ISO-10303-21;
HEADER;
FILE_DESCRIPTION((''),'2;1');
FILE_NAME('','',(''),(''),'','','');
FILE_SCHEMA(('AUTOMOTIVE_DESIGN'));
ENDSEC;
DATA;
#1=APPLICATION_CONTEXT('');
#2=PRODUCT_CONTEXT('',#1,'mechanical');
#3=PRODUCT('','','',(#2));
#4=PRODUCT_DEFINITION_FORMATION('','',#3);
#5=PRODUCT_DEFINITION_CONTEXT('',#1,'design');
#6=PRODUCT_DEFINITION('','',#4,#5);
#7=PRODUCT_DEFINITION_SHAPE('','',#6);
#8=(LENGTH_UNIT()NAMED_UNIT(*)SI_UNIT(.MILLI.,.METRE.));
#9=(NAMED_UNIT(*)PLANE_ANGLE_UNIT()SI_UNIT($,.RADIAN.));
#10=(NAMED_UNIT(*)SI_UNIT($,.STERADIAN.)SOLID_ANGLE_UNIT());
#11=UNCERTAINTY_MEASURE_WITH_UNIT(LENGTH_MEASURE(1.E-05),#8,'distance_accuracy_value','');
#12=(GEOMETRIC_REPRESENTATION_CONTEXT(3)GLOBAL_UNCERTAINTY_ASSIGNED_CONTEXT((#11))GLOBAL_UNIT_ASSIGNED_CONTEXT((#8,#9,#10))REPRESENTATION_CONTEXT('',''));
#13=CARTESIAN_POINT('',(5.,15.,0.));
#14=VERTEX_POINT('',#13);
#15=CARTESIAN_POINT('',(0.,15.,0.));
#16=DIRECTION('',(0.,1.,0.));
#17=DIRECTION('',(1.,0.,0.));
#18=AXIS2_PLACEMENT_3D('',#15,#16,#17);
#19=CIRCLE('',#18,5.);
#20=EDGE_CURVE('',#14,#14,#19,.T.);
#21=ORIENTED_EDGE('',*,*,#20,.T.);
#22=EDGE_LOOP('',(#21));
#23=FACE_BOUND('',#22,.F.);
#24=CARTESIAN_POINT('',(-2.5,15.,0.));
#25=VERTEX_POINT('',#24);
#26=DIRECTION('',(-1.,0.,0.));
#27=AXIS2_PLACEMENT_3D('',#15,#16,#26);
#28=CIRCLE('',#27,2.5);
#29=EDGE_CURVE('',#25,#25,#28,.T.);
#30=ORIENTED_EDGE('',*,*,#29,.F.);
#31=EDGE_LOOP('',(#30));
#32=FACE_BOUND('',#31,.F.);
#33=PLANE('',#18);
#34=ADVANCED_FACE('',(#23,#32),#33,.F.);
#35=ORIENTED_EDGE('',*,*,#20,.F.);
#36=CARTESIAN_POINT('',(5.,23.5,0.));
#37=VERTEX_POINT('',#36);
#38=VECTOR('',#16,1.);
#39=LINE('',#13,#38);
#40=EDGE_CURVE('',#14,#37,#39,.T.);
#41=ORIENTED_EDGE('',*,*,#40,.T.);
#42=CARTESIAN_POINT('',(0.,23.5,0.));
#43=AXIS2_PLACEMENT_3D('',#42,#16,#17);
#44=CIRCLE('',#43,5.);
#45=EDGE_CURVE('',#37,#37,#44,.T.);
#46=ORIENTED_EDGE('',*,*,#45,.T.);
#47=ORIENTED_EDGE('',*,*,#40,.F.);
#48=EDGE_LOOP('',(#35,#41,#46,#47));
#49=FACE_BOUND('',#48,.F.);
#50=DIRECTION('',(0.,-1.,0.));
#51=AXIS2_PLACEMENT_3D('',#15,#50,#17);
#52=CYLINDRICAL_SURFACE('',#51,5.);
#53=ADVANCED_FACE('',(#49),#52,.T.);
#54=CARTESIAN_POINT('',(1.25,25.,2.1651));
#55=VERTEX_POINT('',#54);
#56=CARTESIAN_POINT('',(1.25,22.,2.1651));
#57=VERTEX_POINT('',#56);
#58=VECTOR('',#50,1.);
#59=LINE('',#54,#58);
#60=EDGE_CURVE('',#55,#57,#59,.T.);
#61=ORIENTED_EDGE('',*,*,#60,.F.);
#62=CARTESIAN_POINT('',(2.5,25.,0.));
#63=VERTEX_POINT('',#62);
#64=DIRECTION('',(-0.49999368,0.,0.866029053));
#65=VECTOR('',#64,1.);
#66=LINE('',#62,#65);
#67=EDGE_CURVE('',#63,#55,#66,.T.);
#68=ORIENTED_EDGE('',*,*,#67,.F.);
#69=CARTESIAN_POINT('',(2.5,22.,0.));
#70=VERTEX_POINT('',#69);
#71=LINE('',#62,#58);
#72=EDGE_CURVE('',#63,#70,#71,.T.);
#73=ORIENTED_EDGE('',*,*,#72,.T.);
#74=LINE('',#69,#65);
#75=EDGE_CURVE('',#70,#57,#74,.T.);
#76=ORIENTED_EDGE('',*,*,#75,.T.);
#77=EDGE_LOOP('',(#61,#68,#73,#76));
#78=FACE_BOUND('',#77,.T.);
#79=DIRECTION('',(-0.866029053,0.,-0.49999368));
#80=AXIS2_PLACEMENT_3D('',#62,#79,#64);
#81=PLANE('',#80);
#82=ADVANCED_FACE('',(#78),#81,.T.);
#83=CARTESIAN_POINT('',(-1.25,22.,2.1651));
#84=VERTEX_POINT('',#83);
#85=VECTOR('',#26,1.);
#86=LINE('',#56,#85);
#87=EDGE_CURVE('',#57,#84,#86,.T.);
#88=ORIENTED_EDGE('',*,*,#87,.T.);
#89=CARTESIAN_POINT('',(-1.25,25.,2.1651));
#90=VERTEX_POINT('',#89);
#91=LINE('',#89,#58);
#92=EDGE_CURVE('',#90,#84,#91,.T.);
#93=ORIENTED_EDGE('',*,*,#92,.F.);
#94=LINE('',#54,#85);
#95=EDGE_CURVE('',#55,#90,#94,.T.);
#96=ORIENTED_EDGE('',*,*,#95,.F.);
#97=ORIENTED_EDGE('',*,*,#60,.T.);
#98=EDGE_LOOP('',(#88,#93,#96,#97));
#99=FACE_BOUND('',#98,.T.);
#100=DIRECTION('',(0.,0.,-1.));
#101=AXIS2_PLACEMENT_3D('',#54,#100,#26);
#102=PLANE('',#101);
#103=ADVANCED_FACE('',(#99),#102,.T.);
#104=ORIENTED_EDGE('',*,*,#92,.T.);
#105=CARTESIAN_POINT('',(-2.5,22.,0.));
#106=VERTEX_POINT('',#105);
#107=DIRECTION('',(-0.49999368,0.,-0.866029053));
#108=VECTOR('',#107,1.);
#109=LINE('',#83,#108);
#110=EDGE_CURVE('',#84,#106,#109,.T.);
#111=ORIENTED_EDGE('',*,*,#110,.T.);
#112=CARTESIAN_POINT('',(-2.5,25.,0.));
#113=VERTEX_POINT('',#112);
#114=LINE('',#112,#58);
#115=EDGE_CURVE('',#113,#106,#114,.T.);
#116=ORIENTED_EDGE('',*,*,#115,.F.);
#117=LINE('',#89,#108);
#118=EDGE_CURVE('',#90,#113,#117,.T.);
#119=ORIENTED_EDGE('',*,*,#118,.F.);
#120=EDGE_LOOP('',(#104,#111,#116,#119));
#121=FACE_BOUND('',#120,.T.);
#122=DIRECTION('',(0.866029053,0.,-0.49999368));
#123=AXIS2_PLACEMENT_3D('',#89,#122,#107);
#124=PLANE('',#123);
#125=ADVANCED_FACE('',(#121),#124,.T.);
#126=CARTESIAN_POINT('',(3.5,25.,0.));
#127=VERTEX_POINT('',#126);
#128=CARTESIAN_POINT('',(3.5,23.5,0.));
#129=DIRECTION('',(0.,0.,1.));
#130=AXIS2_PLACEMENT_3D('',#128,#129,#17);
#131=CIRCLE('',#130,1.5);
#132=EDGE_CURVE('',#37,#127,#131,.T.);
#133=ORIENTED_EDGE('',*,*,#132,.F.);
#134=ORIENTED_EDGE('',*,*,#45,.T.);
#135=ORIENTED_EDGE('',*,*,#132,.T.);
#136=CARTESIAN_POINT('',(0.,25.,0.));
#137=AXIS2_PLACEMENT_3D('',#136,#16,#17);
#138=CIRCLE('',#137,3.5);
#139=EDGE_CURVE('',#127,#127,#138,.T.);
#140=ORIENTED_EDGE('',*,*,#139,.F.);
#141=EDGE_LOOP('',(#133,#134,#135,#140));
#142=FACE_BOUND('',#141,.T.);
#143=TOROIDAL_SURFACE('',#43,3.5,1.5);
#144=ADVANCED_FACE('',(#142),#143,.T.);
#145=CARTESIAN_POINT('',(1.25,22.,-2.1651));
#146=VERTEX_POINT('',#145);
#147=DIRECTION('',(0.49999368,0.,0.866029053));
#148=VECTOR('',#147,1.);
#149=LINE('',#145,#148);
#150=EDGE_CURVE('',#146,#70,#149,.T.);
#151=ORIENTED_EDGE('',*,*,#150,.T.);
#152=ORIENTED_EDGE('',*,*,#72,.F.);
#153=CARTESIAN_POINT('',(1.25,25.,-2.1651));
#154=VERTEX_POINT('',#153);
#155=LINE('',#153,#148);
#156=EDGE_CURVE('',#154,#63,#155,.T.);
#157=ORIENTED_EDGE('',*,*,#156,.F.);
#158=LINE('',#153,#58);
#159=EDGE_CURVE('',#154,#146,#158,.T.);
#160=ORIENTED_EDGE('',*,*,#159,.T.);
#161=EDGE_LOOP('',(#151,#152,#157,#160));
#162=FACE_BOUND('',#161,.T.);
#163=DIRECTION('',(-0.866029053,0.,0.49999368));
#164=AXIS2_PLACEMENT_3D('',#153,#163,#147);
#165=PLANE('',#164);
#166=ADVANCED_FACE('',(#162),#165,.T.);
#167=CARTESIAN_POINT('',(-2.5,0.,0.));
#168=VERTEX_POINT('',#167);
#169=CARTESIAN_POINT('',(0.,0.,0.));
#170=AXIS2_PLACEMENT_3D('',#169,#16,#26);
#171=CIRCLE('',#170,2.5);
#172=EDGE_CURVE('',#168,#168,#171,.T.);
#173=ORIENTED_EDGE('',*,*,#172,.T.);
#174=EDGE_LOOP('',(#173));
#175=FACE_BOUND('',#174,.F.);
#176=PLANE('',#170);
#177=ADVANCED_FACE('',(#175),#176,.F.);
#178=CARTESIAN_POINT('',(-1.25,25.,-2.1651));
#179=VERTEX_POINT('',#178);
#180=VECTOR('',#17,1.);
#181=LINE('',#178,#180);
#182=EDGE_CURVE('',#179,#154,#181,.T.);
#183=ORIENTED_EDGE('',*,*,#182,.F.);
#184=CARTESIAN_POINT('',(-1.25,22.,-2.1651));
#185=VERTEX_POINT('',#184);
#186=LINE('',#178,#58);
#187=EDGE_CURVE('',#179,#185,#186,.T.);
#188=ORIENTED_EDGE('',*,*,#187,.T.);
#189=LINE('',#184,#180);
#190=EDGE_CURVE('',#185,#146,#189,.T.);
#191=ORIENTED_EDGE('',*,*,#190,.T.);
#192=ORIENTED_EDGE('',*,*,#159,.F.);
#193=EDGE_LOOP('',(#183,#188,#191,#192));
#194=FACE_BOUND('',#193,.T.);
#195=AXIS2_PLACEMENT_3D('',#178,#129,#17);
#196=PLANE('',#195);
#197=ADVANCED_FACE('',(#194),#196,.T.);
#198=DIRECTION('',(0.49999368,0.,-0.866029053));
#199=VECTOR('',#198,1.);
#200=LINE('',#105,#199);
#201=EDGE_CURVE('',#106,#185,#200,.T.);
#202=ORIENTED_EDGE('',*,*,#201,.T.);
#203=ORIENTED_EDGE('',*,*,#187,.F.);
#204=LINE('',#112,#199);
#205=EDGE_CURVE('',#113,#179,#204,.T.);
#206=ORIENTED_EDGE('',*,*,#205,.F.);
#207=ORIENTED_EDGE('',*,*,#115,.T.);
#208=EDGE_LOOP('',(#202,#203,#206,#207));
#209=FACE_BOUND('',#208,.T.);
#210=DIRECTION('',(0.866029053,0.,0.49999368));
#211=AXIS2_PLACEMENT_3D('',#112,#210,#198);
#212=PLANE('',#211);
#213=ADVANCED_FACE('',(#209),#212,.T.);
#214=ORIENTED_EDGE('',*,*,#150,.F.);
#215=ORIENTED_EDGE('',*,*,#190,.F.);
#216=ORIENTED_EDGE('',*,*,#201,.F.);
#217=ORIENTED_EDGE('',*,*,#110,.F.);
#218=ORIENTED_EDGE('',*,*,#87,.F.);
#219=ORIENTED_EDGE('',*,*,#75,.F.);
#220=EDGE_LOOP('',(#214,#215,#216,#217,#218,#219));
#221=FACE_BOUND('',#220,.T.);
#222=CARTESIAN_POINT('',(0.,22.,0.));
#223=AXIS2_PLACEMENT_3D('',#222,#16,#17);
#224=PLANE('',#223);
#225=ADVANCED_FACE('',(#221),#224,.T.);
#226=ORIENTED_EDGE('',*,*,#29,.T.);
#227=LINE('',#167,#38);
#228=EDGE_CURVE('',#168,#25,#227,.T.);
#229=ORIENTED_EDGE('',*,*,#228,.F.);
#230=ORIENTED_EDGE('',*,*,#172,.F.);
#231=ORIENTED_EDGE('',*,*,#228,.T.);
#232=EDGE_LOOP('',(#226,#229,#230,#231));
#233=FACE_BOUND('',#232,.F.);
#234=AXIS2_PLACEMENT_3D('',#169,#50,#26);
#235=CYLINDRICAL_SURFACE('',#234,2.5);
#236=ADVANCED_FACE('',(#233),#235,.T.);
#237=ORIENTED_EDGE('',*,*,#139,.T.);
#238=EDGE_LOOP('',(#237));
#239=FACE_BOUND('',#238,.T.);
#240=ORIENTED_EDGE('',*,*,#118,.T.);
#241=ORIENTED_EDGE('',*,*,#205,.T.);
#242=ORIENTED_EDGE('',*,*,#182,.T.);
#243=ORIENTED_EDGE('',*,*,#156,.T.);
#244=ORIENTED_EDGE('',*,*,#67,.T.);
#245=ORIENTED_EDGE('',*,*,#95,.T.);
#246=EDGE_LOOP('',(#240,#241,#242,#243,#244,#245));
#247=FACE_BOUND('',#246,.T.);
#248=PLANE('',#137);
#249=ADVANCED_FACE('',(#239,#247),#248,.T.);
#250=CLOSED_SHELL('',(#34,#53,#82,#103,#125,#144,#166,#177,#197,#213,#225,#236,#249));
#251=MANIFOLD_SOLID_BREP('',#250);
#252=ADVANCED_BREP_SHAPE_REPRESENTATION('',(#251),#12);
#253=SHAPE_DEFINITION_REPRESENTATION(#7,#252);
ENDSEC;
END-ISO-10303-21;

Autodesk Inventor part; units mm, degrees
ref_plane "YZ Plane" through (0, 0, 0) normal (1, 0, 0) x (0, 1, 0)
ref_plane "XZ Plane" through (0, 0, 0) normal (0, 1, 0) x (-1, 0, 0)
ref_plane "XY Plane" through (0, 0, 0) normal (0, 0, 1) x (1, 0, 0)
sketch "Sketch1" plane through (0, 0, 0) normal (0, 1, 0) x (-1, 0, 0)
  circle A0 centre (0, 0) radius 2.5
  dimension "d0" = 5
extrude "Extrusion1" add sketch "Sketch1" along normal blind 15
sketch "Sketch2" plane through (0, 15, 0) normal (0, 1, 0) x (1, 0, 0)
  circle A0 centre (0, 0) radius 5
extrude "Extrusion2" add sketch "Sketch2" along normal blind 10
sketch "Sketch3" plane through (0, 25, 0) normal (0, 1, 0) x (1, 0, 0)
  circle A0 centre (0, 0) radius 2.5 projected
  line L0 (2.5, 0) -> (1.25, -2.1651)
  line L1 (1.25, -2.1651) -> (-1.25, -2.1651)
  line L2 (-1.25, -2.1651) -> (-2.5, 0)
  line L3 (-2.5, 0) -> (-1.25, 2.1651)
  line L4 (-1.25, 2.1651) -> (1.25, 2.1651)
  line L5 (1.25, 2.1651) -> (2.5, 0)
fillet "Fillet1" radius 1.5 1 edges at (-5, 25, 0)
extrude "Extrusion3" cut sketch "Sketch3" against normal blind 3 contours L0 L1 L2 L3 L4 L5
properties part number "35mm_bolt"
